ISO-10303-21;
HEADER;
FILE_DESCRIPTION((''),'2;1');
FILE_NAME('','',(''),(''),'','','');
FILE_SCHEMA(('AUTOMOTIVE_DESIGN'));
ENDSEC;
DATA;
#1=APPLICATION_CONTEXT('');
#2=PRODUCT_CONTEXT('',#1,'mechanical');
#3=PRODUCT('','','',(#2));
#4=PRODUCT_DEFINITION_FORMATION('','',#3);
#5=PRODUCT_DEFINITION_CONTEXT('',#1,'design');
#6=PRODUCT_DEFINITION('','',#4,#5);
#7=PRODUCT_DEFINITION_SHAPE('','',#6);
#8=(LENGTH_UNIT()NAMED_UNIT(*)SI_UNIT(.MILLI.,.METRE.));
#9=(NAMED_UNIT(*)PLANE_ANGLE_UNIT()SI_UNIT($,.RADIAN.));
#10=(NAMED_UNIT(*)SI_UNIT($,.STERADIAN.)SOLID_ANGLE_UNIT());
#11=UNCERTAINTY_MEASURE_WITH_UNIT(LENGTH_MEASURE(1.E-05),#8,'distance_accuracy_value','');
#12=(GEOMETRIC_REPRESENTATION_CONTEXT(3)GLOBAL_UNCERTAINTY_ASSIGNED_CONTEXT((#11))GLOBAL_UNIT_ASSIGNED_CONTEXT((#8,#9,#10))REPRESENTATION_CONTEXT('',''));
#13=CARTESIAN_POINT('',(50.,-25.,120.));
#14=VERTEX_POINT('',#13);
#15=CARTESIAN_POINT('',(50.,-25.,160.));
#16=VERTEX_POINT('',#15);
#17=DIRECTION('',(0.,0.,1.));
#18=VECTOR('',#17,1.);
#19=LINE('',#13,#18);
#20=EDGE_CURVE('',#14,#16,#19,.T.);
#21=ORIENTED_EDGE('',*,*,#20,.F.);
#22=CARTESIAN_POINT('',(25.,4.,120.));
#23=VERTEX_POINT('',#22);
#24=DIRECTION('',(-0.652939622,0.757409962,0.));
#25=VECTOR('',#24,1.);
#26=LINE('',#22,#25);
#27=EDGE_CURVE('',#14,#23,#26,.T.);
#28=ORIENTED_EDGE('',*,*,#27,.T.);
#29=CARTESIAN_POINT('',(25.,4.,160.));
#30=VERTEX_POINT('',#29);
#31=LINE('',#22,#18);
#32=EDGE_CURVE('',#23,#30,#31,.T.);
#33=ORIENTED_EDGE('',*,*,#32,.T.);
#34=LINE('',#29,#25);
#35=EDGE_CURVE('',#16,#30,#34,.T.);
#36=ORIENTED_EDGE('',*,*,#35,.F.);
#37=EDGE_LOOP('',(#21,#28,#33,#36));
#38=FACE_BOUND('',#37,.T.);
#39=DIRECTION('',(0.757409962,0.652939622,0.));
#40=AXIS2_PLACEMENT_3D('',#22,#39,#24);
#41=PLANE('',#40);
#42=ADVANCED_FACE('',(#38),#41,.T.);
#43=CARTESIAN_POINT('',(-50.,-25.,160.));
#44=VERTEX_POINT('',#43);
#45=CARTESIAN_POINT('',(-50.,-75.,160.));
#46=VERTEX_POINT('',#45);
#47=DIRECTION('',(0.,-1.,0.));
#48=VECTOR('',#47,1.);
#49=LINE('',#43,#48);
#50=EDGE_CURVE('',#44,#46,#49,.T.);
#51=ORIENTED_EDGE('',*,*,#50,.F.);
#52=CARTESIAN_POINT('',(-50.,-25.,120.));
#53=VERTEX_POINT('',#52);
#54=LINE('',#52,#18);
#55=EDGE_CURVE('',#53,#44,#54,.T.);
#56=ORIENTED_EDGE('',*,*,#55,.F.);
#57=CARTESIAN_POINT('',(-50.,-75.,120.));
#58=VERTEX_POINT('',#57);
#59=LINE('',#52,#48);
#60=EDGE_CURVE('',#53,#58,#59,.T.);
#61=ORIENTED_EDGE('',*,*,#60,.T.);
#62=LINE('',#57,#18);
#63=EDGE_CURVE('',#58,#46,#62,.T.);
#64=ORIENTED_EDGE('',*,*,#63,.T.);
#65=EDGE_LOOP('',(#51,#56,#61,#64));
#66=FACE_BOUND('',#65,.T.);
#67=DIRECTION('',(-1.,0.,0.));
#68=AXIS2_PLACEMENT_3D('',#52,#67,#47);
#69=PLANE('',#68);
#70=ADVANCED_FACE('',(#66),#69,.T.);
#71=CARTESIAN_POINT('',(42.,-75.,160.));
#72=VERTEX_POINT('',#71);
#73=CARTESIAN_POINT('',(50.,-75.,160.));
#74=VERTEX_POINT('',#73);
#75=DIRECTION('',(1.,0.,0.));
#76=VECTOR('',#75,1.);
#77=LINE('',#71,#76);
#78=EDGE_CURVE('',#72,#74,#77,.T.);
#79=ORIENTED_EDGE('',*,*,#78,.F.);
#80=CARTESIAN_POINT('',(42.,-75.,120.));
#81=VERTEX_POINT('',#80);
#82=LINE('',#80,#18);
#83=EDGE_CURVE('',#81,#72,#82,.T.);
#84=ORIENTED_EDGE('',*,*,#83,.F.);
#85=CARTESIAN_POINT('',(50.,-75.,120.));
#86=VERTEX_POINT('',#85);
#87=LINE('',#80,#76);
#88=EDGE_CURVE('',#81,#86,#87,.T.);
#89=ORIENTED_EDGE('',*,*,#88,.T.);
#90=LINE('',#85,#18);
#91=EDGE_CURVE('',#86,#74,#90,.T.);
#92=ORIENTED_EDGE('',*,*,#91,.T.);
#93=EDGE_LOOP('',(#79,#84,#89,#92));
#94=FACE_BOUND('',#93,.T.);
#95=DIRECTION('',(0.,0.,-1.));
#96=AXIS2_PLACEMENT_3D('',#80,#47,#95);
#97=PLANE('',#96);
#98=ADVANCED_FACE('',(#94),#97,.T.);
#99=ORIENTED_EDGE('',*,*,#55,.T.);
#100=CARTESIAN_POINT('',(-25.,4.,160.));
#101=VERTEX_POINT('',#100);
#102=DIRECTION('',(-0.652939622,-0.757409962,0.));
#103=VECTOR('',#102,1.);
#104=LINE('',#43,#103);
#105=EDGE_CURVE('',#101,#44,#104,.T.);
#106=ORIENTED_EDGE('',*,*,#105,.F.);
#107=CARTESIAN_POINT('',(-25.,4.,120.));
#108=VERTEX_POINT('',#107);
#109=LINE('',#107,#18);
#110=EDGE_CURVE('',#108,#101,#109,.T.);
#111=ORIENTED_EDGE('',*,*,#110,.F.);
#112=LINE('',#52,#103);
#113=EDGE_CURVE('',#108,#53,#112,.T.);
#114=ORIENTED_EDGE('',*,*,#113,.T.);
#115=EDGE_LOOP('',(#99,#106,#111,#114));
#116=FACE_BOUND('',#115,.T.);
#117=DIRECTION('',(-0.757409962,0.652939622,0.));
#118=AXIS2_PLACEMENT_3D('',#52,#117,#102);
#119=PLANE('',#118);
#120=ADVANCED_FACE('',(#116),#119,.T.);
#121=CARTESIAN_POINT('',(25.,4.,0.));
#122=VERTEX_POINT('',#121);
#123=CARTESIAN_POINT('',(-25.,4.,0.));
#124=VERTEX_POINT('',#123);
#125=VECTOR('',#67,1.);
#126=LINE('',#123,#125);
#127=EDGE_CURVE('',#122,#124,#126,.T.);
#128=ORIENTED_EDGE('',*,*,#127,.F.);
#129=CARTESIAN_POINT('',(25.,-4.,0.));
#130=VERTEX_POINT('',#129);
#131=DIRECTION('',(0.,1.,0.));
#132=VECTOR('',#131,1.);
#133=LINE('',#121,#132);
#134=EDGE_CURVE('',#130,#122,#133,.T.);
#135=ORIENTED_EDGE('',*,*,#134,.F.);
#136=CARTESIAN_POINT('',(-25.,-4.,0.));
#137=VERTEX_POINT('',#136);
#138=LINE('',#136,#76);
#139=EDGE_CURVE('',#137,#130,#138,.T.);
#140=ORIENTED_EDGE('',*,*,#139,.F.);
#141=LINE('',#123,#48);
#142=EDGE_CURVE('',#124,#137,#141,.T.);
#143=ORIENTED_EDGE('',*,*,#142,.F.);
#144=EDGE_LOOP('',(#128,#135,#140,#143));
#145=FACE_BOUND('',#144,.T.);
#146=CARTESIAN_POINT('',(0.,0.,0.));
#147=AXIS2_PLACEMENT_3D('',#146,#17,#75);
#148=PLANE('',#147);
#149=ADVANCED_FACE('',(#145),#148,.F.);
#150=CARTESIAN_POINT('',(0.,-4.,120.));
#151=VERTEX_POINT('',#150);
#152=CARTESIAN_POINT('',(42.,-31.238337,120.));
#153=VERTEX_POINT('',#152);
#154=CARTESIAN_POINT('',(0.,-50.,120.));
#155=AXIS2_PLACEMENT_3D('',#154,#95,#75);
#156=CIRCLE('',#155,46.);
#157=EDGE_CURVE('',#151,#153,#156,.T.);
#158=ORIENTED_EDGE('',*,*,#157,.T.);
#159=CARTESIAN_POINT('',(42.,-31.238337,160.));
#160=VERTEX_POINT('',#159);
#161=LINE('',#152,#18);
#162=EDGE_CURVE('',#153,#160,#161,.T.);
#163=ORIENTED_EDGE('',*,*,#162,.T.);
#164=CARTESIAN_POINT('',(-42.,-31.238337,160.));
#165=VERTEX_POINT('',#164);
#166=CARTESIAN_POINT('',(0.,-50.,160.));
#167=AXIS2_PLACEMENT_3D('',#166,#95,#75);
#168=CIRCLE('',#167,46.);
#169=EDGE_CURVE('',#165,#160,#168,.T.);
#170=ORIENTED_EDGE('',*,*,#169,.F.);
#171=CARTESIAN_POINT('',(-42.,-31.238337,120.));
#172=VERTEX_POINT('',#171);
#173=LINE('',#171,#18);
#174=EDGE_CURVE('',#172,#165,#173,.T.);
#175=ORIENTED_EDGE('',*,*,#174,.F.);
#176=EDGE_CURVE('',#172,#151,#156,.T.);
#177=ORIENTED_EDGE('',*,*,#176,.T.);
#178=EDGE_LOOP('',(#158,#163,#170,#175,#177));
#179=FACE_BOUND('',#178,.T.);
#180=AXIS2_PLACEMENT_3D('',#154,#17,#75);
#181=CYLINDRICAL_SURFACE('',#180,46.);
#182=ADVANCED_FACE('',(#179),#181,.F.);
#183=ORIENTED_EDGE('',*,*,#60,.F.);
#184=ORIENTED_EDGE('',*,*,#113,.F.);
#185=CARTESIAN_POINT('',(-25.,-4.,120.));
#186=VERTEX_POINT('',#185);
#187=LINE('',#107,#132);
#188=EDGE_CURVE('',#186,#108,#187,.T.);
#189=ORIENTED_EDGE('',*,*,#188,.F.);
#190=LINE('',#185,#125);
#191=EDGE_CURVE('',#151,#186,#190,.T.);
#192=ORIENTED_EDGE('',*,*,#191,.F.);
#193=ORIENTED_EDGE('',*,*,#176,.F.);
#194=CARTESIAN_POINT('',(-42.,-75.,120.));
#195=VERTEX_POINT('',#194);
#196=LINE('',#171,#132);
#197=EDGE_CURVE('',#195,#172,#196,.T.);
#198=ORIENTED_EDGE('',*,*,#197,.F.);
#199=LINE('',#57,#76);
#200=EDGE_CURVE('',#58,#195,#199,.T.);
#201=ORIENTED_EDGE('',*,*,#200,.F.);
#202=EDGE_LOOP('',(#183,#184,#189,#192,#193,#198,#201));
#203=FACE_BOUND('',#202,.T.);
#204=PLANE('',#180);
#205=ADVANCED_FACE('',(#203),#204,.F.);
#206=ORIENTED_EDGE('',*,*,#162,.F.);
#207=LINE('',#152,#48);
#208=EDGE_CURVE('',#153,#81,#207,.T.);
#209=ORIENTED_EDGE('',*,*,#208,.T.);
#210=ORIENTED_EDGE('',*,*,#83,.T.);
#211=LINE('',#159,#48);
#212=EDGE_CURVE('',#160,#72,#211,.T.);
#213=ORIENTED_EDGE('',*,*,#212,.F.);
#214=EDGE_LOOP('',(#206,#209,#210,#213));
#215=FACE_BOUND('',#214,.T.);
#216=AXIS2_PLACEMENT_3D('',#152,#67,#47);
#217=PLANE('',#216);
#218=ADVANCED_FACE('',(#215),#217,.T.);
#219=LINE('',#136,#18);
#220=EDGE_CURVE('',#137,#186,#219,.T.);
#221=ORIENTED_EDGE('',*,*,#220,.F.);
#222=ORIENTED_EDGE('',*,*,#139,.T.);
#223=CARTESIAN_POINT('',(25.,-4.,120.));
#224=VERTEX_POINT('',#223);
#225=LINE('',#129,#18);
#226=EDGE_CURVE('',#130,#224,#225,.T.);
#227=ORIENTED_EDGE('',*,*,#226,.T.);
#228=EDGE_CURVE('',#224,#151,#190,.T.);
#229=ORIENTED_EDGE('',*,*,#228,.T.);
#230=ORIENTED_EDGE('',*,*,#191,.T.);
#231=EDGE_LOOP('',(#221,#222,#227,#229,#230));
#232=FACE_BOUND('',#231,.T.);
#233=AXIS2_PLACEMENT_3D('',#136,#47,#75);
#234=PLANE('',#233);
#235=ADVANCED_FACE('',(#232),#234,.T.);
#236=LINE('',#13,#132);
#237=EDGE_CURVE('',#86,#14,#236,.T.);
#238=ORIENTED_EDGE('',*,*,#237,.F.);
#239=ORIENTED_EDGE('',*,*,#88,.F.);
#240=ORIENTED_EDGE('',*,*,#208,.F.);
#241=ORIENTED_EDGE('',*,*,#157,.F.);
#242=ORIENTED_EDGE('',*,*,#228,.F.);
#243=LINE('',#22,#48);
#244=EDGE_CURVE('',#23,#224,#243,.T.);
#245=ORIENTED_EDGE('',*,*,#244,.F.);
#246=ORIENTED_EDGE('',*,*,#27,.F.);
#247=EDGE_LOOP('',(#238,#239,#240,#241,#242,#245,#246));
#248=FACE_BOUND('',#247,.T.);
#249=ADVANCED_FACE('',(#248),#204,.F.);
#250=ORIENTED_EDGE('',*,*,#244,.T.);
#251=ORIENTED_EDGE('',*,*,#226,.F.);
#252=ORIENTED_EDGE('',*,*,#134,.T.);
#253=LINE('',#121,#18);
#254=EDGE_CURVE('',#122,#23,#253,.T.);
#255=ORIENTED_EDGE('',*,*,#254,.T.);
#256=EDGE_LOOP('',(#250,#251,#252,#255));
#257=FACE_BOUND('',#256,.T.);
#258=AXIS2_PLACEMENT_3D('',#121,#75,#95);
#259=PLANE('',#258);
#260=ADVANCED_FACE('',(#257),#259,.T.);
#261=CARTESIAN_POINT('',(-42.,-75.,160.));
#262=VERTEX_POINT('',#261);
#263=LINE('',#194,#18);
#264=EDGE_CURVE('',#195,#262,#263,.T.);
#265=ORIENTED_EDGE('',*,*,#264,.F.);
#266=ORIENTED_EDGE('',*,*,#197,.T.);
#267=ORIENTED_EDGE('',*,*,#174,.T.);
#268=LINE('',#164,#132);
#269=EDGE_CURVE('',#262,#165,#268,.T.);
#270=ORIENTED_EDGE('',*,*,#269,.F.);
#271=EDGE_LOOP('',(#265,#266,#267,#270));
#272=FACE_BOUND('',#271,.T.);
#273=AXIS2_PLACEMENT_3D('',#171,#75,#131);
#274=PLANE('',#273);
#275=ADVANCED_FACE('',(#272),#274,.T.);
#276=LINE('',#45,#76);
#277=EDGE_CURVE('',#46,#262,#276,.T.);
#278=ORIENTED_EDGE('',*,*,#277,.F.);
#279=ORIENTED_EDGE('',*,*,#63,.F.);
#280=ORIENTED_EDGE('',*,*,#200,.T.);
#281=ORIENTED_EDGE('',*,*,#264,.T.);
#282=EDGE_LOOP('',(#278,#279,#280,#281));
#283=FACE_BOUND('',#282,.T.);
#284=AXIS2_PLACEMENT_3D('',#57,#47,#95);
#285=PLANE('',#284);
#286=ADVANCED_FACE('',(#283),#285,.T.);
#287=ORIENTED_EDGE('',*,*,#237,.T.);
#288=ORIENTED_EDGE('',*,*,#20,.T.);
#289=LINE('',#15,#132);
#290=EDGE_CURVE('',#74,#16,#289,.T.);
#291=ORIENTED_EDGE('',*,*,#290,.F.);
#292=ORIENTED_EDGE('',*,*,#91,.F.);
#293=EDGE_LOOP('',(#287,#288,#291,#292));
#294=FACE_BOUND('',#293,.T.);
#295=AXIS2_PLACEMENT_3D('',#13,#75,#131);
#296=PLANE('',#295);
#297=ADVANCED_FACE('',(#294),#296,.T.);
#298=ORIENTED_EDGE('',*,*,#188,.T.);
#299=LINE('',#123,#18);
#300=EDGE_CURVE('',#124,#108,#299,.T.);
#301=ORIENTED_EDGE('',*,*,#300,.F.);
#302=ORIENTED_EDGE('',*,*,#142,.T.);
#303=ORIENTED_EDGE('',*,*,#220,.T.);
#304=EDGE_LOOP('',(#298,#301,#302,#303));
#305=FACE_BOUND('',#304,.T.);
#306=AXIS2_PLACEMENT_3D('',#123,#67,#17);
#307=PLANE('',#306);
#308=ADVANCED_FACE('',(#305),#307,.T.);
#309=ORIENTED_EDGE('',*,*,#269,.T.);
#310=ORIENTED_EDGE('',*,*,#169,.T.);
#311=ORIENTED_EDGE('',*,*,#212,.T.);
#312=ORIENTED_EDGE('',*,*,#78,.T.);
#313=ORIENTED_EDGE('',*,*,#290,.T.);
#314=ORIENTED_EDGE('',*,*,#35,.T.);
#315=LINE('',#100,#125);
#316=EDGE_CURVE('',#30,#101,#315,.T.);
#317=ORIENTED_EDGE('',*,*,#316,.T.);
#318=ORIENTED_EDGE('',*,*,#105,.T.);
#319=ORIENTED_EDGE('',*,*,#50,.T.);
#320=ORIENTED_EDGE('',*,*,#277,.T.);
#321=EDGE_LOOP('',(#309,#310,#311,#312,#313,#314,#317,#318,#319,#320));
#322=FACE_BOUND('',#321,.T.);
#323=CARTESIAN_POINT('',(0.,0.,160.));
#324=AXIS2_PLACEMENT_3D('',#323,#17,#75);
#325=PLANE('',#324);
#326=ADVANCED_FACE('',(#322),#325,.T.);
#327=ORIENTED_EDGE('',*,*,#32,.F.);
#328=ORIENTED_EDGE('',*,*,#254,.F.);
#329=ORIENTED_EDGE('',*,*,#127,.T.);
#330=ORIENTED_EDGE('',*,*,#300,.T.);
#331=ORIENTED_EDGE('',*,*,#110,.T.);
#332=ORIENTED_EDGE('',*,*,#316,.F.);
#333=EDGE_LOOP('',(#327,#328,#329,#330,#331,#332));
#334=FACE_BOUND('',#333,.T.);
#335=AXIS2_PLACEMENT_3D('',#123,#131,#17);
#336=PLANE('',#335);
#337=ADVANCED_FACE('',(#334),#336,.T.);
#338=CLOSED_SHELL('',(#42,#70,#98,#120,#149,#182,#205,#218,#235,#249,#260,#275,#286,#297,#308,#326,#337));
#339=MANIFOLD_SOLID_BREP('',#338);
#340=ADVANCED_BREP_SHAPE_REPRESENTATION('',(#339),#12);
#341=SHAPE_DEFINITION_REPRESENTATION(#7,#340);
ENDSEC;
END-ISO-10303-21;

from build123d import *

# Parameters (mm, degrees)
SKETCH_1_W      = 50
SKETCH_1_H      = 8
EXTRUDE_1_DEPTH = 40


with BuildPart() as part:
    # 扫描1: sweep along a path in 草图2
    with BuildLine(Plane(origin=(0, 0, 0), x_dir=(0, 0, -1), z_dir=(1, 0, 0))) as sweep_1_path:
        Line((0, 55.298323556), (-160, 55.298323556))
    # 草图1 → 扫描1 (sweep)
    with BuildSketch(Plane.XY):
        Rectangle(SKETCH_1_W, SKETCH_1_H)
    sweep(path=sweep_1_path.line)

    # 草图4 → 凸台-拉伸1 (add)
    with BuildSketch(Plane.XY.offset(160)):
        with BuildLine():
            Line((-50, -25), (-25, 4))
            Line((-25, 4), (25, 4))
            Line((25, 4), (50, -25))
            Line((50, -25), (50, -75))
            Line((50, -75), (42, -75))
            Line((42, -75), (42, -31.238336961))
            ThreePointArc((42, -31.238336961), (0, -4), (-42, -31.238336961))
            Line((-42, -31.238336961), (-42, -75))
            Line((-42, -75), (-50, -75))
            Line((-50, -75), (-50, -25))
        make_face()
    extrude(amount=-EXTRUDE_1_DEPTH)


solid = part.part
